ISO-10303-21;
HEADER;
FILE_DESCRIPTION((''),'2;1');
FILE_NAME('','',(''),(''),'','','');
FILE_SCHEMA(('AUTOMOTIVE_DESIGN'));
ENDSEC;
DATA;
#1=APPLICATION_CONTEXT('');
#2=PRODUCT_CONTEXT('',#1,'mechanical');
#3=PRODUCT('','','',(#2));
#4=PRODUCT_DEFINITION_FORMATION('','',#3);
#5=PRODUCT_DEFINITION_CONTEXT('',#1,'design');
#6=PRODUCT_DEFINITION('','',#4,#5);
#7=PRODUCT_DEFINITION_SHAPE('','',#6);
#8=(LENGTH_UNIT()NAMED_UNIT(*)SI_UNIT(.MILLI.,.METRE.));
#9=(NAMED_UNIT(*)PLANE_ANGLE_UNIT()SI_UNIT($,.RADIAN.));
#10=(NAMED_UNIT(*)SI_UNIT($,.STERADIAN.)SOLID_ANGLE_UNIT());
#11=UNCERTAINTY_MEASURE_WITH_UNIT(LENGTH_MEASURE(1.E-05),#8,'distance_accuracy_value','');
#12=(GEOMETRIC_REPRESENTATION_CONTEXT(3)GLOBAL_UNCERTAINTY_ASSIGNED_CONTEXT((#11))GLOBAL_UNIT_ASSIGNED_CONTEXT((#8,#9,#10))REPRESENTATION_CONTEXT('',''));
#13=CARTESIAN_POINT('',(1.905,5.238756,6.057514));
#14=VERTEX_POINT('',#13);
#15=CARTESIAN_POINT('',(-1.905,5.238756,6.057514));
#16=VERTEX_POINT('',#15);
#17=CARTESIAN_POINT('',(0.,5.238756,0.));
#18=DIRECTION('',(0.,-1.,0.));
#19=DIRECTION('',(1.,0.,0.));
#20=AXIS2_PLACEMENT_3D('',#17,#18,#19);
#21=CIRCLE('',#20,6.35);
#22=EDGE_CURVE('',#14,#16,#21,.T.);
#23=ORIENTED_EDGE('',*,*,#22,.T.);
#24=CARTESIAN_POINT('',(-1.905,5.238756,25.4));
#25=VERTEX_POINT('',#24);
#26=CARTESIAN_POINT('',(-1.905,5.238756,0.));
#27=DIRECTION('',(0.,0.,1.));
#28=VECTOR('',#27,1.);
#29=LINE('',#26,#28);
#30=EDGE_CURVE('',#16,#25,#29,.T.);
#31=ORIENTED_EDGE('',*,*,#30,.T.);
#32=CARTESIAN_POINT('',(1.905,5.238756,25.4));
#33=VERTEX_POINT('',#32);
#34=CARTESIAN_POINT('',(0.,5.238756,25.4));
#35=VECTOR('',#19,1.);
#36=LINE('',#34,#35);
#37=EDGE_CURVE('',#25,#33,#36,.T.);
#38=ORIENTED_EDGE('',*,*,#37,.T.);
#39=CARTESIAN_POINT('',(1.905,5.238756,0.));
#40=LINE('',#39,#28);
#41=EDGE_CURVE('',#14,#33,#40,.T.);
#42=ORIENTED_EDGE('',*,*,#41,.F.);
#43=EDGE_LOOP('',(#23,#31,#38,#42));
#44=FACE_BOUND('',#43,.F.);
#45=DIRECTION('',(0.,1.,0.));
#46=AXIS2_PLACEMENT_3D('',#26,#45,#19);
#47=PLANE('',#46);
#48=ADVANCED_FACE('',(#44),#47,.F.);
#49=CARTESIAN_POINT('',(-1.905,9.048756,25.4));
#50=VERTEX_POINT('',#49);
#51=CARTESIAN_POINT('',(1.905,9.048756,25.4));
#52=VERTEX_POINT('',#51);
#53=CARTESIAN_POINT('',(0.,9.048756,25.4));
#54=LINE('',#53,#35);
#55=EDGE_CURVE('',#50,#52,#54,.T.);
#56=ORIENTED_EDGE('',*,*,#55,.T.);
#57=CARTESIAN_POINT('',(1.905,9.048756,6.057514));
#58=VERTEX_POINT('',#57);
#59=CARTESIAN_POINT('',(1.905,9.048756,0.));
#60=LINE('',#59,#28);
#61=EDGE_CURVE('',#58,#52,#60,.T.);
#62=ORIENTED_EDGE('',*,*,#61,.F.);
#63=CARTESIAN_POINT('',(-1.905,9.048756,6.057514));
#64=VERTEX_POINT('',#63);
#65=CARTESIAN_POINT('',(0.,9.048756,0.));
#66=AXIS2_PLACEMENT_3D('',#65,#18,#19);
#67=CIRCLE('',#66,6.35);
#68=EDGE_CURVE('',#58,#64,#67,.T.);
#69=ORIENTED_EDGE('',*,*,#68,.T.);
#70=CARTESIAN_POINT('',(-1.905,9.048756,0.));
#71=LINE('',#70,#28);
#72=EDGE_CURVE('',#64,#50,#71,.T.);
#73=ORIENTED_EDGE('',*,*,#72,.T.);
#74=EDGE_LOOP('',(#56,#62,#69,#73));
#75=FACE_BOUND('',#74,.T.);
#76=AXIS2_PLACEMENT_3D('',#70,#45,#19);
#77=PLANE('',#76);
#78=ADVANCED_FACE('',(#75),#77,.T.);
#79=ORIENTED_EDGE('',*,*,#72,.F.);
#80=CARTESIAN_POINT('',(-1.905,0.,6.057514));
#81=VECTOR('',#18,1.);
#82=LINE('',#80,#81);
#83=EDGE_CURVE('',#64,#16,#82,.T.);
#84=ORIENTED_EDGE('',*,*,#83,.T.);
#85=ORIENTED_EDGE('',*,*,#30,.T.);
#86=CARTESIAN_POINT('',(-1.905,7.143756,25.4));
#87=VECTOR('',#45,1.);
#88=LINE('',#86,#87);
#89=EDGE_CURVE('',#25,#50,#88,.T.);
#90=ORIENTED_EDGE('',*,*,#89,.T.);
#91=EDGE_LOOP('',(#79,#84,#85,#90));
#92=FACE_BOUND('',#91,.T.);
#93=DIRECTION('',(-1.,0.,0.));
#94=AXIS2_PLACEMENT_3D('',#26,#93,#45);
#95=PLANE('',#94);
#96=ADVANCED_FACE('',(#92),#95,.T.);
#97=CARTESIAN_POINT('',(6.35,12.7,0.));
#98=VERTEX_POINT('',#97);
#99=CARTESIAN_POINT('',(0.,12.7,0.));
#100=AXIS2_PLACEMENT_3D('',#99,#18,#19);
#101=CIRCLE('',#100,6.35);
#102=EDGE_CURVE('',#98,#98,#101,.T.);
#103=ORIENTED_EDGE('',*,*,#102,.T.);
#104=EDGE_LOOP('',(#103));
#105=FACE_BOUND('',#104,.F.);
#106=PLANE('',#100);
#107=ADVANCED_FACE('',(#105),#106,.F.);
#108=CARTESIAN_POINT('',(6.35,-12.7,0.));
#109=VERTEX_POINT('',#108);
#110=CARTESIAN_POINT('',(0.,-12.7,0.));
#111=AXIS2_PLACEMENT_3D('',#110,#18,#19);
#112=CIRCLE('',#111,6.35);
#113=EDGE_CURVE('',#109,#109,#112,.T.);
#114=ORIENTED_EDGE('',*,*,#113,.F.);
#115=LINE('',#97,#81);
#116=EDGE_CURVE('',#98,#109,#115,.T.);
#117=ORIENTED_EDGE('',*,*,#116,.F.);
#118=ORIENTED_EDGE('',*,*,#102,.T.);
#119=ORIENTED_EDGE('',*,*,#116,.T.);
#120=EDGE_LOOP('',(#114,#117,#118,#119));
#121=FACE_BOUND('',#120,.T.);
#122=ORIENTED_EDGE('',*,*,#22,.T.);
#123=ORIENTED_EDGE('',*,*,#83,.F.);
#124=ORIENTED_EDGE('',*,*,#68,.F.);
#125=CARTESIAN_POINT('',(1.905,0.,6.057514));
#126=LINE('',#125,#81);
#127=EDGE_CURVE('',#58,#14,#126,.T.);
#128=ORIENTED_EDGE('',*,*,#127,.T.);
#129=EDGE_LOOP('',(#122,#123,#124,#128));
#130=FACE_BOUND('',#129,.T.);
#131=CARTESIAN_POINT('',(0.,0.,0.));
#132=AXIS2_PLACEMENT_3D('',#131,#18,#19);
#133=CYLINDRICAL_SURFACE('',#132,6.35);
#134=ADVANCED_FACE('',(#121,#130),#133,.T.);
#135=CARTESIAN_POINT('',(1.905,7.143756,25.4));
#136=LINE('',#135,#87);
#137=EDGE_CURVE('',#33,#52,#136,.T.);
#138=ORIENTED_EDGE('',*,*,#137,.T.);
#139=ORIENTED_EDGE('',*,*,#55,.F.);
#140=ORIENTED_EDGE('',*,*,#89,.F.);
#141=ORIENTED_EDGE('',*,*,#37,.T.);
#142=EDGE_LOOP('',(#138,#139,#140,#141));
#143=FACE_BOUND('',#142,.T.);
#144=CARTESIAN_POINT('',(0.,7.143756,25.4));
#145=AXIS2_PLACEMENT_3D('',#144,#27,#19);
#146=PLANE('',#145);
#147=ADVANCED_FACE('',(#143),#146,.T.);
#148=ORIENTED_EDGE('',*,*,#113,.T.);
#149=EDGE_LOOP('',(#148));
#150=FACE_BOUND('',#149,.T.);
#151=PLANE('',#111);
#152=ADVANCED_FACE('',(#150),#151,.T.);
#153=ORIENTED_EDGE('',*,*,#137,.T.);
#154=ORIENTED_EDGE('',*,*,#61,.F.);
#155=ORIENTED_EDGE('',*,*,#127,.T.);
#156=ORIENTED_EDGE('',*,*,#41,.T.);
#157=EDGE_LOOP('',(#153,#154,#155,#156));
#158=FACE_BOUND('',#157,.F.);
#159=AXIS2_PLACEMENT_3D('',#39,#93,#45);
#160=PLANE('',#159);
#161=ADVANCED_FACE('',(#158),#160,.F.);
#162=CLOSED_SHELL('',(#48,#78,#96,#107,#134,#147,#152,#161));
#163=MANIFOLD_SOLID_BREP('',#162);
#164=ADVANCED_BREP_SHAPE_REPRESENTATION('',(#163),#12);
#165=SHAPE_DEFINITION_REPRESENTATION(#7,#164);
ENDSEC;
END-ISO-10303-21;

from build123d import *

# Parameters (mm, degrees)
F0_R     = 6.35
F1_DEPTH = 12.7
F2_W     = 3.81
F2_H     = 3.81
F3_DEPTH = 25.4


with BuildPart() as f1:
    # F0 (on Front) → F1 (new body, symmetric)
    with BuildSketch(Plane.XZ):
        Circle(F0_R)
    extrude(amount=F1_DEPTH, both=True)

    # F2 (on Top) → F3 (join)
    with BuildSketch(Plane.XY):
        with Locations((0, 7.143756)):
            Rectangle(F2_W, F2_H)
    extrude(amount=F3_DEPTH)


solid = f1.part
